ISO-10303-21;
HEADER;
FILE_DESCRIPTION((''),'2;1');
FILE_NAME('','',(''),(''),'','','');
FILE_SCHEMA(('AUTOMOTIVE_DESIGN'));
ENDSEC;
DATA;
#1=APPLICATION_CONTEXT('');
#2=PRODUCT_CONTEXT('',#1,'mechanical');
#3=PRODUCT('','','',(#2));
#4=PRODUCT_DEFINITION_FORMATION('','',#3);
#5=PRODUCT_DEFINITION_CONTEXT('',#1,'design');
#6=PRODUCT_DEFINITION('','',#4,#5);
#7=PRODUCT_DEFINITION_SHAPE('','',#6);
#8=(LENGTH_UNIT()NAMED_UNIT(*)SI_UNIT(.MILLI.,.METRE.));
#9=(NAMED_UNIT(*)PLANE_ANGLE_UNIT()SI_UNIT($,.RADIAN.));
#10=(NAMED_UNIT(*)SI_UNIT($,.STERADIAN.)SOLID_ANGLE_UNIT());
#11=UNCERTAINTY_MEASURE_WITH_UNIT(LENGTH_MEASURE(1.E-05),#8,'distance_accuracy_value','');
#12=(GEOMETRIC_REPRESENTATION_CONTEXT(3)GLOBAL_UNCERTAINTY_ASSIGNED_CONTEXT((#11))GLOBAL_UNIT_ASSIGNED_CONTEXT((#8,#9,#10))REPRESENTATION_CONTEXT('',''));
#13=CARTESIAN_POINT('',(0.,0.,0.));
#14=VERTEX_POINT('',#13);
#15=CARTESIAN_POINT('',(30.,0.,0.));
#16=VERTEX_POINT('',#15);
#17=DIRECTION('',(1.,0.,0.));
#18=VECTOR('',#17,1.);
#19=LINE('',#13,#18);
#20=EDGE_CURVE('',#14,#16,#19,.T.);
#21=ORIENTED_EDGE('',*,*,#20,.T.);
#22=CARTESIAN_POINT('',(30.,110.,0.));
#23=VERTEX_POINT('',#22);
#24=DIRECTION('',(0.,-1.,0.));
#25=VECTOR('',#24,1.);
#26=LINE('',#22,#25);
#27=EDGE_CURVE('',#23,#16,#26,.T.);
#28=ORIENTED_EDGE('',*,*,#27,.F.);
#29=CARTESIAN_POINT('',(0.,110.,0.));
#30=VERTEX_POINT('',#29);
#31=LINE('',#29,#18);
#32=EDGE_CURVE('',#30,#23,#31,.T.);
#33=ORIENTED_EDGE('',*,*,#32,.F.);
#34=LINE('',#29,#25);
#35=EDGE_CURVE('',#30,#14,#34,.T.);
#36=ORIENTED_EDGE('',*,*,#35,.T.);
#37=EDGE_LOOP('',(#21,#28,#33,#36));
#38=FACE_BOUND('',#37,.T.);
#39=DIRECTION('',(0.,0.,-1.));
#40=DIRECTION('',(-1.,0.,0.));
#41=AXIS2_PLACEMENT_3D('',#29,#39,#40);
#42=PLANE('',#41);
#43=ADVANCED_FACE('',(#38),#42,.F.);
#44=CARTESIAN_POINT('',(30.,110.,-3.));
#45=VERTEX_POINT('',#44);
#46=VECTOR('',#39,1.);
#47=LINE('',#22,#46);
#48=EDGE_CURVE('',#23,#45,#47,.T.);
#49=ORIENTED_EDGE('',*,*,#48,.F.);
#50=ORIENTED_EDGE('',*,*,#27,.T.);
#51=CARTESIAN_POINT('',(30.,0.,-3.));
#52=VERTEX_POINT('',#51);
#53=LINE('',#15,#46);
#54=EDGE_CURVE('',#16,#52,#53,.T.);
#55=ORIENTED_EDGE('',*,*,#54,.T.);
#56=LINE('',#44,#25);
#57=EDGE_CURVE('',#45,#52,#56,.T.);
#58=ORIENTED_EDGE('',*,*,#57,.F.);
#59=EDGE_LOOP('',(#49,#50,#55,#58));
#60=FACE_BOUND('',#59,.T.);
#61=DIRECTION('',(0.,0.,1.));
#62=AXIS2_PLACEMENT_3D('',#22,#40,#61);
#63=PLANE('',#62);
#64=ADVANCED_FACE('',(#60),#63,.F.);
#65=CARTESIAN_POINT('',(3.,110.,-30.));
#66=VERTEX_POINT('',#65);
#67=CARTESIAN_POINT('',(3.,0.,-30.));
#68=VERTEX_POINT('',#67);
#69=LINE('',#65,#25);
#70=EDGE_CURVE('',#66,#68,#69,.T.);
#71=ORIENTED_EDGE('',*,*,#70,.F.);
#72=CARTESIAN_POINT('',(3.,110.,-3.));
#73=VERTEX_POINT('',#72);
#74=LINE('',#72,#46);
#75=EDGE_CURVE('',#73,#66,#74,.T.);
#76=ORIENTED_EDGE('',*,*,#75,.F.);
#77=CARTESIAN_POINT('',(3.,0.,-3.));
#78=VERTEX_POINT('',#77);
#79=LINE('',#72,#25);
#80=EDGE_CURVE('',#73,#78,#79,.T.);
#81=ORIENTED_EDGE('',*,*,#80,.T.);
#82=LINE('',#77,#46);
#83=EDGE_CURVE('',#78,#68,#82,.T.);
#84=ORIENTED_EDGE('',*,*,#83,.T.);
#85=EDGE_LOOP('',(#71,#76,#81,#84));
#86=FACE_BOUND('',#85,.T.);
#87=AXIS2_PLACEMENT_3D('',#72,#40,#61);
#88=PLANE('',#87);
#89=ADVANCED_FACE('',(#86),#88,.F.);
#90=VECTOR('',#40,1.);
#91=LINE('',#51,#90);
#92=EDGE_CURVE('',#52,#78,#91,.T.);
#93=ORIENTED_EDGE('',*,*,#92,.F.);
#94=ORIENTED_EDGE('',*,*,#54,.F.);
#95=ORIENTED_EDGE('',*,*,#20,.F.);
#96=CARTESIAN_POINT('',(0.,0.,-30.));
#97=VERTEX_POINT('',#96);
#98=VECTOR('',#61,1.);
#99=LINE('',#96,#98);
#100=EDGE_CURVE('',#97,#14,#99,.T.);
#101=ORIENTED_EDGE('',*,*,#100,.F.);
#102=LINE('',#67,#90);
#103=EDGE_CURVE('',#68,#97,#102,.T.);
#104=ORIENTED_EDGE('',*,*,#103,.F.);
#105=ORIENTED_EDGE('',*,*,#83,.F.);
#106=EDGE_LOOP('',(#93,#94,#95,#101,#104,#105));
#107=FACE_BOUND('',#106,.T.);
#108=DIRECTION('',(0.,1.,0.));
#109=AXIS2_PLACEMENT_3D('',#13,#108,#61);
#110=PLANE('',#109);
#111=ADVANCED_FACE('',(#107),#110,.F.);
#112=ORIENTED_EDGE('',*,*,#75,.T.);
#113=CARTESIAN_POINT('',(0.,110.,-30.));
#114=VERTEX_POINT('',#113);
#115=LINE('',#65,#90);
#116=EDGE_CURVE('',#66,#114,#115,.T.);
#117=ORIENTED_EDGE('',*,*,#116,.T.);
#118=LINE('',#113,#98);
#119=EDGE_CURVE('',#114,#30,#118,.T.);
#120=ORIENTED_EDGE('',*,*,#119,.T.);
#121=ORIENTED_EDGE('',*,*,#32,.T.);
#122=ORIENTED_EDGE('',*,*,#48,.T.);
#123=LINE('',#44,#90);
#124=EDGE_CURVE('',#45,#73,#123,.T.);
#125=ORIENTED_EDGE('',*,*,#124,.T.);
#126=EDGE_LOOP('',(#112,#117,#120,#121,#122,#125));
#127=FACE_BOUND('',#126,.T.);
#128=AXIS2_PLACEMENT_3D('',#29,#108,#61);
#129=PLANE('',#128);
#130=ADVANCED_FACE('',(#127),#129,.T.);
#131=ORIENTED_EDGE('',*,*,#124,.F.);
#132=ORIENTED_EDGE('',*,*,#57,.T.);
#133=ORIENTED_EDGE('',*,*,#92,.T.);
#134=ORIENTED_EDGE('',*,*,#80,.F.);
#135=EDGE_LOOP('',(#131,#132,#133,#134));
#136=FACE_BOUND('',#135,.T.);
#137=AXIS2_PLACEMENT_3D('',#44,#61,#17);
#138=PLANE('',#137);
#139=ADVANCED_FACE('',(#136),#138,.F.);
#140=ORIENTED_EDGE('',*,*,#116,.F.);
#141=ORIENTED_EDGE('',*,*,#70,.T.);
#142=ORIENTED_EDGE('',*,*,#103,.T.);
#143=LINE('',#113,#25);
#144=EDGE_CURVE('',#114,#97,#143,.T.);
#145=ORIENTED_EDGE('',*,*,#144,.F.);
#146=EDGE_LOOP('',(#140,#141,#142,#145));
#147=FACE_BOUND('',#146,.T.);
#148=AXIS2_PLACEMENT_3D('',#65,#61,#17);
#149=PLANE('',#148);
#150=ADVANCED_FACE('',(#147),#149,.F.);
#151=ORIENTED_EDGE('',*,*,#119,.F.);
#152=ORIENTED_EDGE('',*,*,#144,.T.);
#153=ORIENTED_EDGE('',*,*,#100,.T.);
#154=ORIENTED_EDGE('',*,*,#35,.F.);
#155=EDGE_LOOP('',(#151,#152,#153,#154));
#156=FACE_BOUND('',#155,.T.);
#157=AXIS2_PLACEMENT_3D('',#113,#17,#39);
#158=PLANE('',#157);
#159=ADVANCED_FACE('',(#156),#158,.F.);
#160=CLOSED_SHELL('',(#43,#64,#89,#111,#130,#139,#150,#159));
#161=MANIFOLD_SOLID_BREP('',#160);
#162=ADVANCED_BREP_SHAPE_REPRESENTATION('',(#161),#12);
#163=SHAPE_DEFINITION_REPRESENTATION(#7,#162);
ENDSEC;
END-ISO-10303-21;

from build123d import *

# Parameters (mm, degrees)
BOSS_EXTRUDE1_DEPTH = 110


with BuildPart() as part:
    # Sketch1 → Boss-Extrude1 (new body)
    with BuildSketch(Plane(origin=(0, 0, 0), x_dir=(1, 0, 0), z_dir=(0, 1, 0))):
        Polygon((0, 0), (30, 0), (30, 3), (3, 3), (3, 30), (0, 30), align=None)
    extrude(amount=BOSS_EXTRUDE1_DEPTH)


solid = part.part
